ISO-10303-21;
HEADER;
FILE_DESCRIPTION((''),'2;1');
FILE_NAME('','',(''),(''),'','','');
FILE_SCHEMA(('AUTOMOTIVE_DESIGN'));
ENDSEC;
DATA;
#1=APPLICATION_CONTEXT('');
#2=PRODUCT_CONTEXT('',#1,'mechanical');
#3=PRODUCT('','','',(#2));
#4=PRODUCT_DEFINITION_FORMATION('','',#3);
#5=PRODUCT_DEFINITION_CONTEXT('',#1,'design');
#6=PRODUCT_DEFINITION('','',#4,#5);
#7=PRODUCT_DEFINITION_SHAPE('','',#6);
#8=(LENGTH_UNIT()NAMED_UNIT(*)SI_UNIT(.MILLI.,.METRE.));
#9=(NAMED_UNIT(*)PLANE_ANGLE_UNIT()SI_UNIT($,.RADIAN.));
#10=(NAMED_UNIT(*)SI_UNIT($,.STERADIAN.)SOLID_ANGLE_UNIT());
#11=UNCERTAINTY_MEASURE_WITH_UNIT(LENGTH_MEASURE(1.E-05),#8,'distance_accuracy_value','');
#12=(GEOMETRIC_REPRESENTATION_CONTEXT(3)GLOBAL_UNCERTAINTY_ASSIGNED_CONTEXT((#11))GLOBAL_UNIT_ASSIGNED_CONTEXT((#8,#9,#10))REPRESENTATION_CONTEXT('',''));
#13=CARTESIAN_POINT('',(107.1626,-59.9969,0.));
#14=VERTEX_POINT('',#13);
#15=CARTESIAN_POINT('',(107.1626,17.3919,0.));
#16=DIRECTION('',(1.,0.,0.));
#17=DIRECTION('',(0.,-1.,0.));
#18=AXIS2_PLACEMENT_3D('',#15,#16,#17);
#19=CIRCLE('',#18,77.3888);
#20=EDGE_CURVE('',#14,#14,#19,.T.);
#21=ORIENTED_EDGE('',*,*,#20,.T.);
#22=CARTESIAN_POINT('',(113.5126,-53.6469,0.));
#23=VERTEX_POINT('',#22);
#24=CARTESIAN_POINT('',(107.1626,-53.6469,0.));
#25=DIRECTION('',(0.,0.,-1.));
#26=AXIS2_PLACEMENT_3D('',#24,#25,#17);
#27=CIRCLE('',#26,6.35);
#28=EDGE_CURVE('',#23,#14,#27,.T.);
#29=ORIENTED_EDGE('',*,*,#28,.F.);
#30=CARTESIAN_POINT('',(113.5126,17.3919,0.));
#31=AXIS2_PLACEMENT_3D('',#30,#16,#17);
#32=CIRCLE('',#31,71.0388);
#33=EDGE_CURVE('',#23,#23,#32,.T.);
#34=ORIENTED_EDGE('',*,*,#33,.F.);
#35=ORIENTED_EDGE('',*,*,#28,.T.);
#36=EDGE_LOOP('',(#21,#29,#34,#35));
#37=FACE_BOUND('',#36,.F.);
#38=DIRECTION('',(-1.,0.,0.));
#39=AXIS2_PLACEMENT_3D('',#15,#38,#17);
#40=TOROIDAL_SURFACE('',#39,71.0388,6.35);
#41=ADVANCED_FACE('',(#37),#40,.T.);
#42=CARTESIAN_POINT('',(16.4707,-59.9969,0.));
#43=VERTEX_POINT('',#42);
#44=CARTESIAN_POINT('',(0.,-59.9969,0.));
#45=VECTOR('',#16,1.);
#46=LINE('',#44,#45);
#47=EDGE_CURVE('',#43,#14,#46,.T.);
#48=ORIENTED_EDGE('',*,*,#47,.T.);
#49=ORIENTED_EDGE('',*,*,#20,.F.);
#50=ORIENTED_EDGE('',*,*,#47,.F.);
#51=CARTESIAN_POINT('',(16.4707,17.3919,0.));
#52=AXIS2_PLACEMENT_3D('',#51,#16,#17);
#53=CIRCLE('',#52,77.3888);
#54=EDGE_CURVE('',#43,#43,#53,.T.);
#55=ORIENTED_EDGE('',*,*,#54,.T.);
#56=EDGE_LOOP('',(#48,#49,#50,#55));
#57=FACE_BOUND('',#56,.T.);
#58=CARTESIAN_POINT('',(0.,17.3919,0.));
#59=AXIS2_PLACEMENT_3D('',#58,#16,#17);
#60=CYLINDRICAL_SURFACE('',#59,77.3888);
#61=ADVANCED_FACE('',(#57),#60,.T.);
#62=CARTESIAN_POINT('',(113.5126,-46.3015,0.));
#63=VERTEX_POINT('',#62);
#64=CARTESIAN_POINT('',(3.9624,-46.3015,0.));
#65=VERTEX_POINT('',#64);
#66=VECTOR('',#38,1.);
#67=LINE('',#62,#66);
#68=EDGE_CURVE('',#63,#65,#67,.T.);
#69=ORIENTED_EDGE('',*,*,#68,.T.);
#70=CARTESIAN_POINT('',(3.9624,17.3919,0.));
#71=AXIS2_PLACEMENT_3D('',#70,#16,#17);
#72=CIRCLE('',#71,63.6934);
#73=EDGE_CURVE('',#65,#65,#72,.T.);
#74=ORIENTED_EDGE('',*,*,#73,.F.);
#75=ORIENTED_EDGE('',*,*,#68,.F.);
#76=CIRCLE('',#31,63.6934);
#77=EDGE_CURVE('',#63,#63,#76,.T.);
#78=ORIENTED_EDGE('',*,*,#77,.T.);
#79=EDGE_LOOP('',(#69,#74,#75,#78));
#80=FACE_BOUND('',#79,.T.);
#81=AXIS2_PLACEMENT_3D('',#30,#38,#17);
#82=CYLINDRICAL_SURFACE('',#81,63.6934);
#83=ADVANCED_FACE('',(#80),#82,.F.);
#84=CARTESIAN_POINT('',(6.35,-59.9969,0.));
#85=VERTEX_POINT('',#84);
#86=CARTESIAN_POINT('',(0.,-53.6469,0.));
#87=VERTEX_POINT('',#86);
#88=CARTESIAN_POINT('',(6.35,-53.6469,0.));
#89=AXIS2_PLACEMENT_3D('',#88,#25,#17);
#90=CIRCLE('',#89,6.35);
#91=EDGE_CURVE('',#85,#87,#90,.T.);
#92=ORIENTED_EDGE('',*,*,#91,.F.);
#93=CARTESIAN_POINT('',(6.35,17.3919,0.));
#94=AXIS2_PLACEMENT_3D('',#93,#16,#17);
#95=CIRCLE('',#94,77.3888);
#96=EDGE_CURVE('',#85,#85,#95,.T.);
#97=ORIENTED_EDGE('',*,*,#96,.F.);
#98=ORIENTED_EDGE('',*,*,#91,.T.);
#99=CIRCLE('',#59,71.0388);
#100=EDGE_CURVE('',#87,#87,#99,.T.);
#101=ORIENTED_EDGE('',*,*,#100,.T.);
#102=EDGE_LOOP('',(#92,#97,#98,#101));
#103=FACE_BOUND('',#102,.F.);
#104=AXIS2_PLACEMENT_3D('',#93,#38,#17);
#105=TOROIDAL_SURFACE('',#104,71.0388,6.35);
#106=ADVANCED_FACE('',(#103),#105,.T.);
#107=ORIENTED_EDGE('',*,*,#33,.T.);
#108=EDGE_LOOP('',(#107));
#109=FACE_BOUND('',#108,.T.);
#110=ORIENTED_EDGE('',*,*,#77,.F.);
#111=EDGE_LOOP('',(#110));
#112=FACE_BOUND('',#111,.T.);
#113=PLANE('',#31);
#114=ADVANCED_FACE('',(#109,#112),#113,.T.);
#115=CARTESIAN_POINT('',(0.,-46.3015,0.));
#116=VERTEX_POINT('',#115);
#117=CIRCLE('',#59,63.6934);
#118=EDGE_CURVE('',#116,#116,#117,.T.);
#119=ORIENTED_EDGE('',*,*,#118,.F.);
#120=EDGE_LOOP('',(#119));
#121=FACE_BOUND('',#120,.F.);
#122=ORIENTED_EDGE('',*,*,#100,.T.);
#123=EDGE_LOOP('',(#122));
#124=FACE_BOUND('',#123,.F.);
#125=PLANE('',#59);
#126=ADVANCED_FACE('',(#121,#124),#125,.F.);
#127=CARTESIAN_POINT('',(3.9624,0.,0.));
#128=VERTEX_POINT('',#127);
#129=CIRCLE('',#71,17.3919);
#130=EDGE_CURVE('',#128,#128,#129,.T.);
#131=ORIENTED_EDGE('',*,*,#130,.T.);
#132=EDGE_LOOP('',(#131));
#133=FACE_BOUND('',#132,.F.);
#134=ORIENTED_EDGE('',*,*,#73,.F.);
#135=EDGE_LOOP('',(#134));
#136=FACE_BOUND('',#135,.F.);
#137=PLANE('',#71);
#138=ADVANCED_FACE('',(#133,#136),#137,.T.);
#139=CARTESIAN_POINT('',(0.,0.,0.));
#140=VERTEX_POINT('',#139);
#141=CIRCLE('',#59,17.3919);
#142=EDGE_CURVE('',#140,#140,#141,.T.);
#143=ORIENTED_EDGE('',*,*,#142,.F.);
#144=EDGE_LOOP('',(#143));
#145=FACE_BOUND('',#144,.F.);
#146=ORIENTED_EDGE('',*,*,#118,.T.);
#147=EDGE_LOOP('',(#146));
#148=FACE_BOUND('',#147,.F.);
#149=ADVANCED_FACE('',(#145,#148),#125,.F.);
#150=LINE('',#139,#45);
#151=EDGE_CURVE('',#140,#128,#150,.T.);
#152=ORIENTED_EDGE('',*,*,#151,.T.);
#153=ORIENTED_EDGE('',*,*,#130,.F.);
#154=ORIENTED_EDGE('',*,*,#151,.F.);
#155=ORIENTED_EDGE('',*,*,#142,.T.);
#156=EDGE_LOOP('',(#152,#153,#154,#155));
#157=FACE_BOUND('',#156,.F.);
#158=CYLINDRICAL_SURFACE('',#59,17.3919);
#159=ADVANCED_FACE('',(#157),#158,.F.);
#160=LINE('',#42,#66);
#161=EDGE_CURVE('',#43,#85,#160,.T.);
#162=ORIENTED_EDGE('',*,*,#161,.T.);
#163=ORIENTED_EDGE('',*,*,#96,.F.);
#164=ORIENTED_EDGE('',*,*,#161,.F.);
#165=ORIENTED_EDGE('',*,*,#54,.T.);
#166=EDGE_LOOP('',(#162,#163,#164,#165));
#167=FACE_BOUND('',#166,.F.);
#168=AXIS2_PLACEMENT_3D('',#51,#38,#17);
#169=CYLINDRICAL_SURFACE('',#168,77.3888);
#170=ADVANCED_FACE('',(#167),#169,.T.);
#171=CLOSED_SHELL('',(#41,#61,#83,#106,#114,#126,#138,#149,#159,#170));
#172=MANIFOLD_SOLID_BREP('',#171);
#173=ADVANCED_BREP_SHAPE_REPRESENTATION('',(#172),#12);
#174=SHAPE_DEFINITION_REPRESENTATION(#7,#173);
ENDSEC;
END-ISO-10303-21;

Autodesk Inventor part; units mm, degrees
ref_plane "YZ Plane" through (0, 0, 0) normal (1, 0, 0) x (0, 1, 0)
ref_plane "XZ Plane" through (0, 0, 0) normal (0, 1, 0) x (-1, 0, 0)
ref_plane "XY Plane" through (0, 0, 0) normal (0, 0, 1) x (1, 0, 0)
sketch "Sketch1" plane through (0, 0, 0) normal (0, 0, 1) x (1, 0, 0)
  line L0 (0, 0) -> (3.9624, 0)
  line L1 (3.9624, 0) -> (3.9624, -46.3015)
  line L2 (16.4707, -59.9969) -> (0, -59.9969)
  line L3 (0, -59.9969) -> (0, 0)
  line L4 (0, -59.9969) -> (113.5126, -59.9969)
  line L5 (113.5126, -59.9969) -> (113.5126, -46.3015)
  line L6 (113.5126, -46.3015) -> (3.9624, -46.3015)
  line L7 (0, -46.3015) -> (0, -59.9969)
  line L8 (-58.687, 17.3919) -> (148.6234, 17.3919) construction
  dimension "d0" = 113.5126
  dimension "d1" = 3.9624
  dimension "d2" = 13.6954
  dimension "d3" = 46.3015
revolve "Revolution1" add sketch "Sketch1" angle 360 about axis through (-58.687, 17.3919, 0) along (1, 0, 0)
fillet "Fillet1" radius 6.35 2 edges at (113.5126, 94.7807, 0) (0, 94.7807, 0)
properties part number "RubberGrip" material "Wood (Walnut)"
